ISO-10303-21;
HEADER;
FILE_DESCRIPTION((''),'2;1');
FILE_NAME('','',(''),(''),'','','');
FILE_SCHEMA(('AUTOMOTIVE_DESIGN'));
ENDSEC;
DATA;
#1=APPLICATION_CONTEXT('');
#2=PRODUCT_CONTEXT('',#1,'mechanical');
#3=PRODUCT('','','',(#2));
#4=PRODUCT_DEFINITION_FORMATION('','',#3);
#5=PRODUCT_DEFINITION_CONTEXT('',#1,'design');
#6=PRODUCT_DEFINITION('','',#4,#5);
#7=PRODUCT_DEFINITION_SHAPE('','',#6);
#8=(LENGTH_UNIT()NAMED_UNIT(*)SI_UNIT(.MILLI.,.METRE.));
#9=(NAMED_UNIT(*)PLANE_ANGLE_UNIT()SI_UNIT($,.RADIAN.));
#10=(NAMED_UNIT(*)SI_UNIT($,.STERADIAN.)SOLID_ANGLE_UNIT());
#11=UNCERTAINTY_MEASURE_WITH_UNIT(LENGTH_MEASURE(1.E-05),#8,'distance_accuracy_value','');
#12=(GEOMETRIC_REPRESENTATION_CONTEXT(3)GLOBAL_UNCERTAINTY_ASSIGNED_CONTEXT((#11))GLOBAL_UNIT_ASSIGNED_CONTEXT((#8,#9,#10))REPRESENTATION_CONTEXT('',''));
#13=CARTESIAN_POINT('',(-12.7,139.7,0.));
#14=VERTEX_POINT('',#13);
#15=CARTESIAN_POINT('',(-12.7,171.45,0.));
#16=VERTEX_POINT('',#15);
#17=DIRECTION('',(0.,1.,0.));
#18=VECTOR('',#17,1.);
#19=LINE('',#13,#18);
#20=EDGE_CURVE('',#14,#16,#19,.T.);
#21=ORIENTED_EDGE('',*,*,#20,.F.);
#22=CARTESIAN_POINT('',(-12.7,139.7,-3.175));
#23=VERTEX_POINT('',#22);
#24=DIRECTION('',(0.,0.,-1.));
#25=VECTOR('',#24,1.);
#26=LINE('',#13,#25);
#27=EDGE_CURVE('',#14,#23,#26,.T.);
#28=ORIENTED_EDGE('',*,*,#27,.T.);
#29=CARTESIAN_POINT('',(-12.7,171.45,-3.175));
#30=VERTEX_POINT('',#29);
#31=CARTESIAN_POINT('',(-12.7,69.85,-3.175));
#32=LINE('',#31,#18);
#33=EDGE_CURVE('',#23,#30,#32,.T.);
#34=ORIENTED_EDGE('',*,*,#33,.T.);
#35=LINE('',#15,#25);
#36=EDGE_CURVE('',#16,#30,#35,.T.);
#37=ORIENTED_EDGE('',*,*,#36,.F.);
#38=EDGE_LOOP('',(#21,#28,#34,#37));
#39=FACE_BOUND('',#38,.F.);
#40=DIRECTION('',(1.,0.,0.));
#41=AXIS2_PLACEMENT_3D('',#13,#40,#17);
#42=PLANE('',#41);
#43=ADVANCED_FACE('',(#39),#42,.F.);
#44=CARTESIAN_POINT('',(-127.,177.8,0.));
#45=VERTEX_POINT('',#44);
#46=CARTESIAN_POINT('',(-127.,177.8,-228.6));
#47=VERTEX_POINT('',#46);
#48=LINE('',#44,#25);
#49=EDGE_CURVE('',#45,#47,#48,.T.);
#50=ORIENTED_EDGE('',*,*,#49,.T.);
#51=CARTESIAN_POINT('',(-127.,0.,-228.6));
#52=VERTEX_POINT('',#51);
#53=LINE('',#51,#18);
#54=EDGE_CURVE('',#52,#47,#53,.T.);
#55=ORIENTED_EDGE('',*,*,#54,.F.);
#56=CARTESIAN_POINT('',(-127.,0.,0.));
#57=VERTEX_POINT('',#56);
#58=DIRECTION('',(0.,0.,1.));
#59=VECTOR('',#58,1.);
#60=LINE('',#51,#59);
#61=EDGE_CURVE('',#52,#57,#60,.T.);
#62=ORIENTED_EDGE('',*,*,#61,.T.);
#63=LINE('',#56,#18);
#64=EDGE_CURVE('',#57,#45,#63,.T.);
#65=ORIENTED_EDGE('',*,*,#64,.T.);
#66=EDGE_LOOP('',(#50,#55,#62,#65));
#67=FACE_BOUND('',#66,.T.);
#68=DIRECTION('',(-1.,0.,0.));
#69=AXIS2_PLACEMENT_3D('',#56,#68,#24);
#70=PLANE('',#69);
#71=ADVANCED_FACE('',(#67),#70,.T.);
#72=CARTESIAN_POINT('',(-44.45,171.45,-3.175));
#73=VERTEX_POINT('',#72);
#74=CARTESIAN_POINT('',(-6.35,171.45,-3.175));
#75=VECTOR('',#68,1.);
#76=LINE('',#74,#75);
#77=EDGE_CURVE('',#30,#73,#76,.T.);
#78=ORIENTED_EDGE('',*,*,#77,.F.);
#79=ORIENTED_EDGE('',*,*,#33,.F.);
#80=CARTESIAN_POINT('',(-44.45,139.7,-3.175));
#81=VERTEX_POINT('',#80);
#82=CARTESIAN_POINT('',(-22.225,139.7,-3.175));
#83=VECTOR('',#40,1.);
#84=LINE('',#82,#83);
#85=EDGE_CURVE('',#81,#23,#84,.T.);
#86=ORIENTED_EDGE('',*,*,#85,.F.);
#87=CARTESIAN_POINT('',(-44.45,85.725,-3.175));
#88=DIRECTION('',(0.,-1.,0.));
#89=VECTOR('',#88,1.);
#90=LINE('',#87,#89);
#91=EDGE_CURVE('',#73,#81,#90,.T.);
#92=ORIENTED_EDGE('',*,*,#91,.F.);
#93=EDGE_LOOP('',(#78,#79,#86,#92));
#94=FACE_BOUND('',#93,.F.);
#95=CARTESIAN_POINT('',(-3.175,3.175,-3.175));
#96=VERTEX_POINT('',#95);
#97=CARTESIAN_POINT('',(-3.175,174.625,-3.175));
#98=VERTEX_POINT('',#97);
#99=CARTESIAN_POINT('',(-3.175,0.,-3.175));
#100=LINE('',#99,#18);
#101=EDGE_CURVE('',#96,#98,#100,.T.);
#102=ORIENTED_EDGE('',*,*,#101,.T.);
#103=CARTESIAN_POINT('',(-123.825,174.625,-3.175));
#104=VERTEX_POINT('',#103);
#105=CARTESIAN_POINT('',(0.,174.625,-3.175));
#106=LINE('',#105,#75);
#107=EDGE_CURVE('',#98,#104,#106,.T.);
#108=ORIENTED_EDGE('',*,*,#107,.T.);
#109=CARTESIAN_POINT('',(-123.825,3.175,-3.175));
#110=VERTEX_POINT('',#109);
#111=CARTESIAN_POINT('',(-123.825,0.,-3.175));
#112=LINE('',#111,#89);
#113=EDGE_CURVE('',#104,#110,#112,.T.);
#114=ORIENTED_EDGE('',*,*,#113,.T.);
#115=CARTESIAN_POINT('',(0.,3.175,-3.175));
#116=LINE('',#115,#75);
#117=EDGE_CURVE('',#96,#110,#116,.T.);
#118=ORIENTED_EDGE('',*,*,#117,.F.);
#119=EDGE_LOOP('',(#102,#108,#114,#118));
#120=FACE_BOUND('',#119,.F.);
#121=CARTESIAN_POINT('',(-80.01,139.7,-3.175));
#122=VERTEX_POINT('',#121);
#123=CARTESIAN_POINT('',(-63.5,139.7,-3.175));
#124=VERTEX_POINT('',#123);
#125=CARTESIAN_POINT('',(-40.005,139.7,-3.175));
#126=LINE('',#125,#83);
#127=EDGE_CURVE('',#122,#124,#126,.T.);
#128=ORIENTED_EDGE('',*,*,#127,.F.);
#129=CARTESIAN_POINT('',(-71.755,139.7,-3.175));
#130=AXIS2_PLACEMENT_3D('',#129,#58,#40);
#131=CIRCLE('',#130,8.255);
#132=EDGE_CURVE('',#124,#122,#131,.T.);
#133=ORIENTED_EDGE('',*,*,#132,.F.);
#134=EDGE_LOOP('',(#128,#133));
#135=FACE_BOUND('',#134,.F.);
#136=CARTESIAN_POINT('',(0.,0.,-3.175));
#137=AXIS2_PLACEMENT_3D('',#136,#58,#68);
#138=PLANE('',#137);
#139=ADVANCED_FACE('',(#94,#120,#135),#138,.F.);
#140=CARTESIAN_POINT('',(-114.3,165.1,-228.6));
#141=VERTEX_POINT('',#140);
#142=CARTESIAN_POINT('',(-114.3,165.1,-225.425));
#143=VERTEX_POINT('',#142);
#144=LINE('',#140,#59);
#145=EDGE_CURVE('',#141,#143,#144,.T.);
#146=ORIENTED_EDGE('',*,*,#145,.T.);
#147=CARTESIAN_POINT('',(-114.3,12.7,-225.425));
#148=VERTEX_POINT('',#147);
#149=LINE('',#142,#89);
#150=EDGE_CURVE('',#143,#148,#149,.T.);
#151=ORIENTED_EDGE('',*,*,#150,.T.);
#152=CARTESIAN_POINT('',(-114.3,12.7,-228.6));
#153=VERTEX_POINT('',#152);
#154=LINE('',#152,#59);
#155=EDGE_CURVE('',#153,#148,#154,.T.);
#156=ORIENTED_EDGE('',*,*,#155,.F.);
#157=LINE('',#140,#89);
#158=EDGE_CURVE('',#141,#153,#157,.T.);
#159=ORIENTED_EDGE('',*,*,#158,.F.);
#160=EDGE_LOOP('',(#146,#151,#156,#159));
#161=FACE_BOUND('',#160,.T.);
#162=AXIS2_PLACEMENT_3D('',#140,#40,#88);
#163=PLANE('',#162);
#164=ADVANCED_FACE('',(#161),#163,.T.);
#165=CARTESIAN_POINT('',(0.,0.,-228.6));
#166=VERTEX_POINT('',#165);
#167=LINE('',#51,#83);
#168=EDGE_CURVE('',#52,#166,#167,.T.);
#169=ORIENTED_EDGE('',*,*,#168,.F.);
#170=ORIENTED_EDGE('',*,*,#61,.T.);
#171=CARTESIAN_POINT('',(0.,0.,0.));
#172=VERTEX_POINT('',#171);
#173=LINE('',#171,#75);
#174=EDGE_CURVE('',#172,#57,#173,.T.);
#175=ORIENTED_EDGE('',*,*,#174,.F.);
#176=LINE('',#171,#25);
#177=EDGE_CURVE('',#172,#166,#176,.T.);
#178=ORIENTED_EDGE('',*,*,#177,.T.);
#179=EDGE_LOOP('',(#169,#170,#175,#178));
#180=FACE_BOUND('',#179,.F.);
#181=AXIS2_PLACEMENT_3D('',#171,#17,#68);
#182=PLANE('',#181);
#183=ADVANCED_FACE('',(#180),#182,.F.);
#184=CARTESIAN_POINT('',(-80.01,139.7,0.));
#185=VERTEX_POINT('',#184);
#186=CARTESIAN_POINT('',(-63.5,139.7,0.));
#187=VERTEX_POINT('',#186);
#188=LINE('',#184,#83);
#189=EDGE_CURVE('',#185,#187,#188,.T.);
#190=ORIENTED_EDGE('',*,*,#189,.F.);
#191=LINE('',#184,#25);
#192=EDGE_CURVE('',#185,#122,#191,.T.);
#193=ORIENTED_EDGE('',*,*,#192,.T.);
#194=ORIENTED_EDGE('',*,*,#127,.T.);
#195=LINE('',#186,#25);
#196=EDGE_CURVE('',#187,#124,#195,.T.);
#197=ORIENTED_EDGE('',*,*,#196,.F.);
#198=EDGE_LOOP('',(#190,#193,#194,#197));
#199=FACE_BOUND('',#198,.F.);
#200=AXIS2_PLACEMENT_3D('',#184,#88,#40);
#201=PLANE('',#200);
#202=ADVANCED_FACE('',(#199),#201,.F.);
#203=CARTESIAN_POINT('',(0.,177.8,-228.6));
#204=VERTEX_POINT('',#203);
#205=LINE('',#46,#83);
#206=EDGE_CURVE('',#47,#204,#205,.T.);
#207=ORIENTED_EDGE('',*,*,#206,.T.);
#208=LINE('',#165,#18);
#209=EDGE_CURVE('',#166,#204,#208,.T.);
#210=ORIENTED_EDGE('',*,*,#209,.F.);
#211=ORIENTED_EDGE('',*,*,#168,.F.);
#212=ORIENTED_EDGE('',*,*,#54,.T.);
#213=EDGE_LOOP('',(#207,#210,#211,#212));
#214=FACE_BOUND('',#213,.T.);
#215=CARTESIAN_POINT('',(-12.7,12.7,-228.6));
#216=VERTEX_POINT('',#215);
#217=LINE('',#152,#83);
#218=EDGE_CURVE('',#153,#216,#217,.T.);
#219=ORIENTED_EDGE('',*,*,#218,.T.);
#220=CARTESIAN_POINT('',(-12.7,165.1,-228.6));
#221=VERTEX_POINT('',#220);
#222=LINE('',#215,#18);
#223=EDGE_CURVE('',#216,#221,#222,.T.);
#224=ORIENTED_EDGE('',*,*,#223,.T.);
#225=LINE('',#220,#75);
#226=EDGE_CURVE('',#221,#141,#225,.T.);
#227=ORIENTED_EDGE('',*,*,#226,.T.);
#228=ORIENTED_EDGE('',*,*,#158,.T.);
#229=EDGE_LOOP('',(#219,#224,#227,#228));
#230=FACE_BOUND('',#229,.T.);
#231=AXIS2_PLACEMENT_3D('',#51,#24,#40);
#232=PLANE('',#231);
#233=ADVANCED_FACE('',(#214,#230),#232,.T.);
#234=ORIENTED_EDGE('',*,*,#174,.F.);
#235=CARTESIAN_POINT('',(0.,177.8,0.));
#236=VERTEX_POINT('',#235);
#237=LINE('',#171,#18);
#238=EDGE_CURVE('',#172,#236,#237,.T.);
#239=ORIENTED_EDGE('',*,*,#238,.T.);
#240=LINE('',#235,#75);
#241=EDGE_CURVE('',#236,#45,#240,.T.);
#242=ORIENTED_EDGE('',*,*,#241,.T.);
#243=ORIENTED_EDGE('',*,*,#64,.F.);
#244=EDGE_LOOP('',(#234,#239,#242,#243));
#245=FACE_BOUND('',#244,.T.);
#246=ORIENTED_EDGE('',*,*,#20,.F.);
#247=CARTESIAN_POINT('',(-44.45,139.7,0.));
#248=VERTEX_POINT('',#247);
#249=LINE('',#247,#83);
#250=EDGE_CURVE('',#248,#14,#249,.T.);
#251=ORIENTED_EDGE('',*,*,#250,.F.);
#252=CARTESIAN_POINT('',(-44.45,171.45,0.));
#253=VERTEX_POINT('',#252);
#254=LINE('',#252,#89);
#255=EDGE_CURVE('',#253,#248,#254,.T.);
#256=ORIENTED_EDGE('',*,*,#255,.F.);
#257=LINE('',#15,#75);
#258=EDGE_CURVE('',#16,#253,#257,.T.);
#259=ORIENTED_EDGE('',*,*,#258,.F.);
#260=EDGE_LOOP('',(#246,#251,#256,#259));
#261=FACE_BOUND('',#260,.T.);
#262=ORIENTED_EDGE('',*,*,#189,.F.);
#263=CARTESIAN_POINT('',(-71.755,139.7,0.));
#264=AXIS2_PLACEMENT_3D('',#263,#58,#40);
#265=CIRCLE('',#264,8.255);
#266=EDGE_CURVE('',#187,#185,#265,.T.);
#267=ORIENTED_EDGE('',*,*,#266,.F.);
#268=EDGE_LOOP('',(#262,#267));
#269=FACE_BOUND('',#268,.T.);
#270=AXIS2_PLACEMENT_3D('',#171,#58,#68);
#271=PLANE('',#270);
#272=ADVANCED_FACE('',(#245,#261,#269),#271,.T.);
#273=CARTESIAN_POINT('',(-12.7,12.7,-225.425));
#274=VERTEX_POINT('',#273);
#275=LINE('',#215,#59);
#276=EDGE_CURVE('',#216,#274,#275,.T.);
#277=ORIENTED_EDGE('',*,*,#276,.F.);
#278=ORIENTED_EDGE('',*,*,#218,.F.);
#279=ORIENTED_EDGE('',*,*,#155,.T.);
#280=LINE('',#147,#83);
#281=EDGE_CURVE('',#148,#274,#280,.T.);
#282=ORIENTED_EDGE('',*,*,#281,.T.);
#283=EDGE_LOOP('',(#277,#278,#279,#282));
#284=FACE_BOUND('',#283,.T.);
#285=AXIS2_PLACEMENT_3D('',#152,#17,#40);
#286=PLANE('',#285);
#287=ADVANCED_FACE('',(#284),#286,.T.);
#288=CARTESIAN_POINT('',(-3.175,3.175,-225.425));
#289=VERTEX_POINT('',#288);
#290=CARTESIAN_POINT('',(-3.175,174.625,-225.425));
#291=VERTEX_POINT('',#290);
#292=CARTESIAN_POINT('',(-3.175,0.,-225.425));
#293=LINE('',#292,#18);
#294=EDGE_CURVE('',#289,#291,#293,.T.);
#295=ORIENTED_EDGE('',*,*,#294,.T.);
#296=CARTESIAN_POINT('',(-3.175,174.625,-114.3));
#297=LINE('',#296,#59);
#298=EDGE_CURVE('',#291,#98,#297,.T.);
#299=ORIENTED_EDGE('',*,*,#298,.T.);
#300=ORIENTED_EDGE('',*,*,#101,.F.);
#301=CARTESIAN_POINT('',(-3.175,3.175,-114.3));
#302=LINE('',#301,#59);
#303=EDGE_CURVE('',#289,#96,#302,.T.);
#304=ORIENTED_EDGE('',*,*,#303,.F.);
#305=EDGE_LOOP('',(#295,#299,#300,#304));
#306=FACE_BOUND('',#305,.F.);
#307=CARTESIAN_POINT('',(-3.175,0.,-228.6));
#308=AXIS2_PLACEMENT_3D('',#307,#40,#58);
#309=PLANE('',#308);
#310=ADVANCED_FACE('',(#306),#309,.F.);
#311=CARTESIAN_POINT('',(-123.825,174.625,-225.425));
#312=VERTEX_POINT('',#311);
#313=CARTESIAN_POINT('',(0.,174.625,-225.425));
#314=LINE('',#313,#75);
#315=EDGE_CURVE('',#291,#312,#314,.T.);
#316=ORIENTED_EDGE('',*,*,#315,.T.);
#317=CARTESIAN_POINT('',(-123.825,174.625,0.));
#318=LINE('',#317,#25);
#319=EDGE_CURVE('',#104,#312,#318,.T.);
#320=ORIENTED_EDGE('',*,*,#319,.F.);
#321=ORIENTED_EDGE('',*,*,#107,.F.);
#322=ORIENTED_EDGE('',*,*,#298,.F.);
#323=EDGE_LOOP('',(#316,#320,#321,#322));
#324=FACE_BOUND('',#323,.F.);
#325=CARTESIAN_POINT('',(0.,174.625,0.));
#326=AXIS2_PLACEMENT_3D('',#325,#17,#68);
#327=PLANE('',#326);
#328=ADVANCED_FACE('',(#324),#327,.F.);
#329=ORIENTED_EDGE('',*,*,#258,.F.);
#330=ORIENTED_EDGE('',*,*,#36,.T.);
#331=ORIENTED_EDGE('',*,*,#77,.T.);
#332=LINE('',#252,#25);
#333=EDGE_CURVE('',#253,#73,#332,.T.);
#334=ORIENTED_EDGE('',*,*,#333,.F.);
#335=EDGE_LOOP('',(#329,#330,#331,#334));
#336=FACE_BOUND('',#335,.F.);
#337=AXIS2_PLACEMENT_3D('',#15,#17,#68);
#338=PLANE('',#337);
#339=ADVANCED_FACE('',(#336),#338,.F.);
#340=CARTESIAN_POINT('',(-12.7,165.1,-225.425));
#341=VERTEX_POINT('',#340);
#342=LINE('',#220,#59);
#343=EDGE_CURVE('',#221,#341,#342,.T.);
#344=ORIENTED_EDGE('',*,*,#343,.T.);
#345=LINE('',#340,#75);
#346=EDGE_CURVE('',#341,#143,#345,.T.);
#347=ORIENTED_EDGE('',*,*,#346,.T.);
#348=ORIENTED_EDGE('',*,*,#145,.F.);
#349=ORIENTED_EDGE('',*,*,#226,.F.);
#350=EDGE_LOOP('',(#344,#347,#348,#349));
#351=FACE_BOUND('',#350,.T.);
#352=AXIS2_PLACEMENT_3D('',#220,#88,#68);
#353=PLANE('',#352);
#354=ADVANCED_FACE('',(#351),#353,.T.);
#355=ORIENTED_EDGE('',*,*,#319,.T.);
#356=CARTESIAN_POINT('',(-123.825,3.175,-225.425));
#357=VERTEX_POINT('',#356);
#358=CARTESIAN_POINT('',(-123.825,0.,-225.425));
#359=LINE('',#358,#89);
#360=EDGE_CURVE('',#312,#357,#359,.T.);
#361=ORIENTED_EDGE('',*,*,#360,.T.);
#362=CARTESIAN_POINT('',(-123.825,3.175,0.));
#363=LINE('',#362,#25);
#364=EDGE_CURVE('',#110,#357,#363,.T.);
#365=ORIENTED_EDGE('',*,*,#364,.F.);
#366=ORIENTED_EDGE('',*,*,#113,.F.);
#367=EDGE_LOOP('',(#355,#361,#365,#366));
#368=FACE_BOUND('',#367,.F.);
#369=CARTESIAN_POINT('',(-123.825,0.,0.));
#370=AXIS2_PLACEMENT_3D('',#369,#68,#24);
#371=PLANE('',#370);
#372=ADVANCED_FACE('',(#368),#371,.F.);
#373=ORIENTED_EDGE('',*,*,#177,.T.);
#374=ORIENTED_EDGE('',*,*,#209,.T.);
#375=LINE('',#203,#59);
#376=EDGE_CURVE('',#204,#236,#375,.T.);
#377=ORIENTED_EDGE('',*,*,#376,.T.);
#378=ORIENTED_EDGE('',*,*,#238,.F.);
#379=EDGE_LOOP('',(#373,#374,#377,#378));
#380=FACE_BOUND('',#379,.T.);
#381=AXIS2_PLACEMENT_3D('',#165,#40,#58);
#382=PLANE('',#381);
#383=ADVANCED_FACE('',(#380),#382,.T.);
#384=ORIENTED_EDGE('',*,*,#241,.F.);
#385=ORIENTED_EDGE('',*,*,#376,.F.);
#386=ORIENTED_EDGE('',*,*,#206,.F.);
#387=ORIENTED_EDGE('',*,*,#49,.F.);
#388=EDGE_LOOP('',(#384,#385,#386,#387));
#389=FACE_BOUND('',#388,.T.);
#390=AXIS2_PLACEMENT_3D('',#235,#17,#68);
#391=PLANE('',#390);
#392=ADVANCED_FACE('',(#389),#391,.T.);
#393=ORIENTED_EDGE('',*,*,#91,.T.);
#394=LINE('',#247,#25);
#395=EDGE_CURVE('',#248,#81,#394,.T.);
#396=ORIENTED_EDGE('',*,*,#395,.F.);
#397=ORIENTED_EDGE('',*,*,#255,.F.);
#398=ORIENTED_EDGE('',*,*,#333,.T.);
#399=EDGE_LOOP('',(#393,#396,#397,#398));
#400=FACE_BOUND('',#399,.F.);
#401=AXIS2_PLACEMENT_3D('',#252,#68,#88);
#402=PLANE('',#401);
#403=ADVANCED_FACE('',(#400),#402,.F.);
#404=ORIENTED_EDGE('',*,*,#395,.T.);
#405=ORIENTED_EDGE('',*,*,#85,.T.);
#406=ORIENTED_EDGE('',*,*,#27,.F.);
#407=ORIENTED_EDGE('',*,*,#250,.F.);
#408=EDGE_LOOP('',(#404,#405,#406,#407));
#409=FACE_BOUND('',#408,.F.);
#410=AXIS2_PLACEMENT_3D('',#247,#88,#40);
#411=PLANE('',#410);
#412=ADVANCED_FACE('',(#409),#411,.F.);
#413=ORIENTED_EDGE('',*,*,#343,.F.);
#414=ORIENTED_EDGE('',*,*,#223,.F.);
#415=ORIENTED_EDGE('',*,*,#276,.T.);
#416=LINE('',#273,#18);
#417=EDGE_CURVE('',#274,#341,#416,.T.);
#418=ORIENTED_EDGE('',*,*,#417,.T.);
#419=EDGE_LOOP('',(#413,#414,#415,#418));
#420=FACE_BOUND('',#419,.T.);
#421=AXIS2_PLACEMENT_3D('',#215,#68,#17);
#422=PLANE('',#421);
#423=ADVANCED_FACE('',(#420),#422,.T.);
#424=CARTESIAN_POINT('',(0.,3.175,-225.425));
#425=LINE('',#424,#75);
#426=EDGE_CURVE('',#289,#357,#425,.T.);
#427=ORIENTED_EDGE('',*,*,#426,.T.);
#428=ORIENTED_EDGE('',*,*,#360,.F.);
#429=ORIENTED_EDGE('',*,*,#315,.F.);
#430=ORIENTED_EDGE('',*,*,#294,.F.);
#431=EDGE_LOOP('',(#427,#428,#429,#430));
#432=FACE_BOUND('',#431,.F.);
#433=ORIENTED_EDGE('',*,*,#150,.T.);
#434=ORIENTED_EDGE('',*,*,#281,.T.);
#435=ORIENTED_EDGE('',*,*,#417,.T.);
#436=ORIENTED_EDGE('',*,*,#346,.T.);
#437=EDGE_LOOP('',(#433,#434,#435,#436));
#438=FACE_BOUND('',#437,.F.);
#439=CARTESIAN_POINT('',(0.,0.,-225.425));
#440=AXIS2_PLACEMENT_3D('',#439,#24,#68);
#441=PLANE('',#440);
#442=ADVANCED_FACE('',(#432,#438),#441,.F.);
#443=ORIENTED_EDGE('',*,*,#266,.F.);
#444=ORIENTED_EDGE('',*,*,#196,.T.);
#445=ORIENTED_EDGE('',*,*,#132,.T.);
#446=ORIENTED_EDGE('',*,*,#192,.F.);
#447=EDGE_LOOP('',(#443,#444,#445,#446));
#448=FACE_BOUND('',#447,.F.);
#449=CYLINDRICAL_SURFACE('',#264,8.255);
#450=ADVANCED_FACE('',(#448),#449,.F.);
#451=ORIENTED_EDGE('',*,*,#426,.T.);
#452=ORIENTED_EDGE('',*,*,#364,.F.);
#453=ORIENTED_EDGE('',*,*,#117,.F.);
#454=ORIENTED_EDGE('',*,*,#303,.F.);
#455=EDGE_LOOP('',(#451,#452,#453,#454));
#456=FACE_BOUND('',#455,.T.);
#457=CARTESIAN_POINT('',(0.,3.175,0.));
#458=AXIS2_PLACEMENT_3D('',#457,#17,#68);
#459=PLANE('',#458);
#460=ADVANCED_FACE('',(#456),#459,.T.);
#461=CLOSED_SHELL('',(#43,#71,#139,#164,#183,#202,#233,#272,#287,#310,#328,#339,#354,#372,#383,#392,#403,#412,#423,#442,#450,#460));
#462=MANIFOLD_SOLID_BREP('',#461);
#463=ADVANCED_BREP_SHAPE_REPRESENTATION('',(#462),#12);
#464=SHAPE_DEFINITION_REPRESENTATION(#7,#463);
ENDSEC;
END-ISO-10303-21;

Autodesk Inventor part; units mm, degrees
ref_plane "YZ Plane" through (0, 0, 0) normal (1, 0, 0) x (0, 1, 0)
ref_plane "XZ Plane" through (0, 0, 0) normal (0, 1, 0) x (-1, 0, 0)
ref_plane "XY Plane" through (0, 0, 0) normal (0, 0, 1) x (1, 0, 0)
sketch "Sketch1" plane through (0, 0, 0) normal (0, 1, 0) x (-1, 0, 0)
  line L0 (0, 0) -> (127, 0)
  line L1 (127, 0) -> (127, -228.6)
  line L2 (127, -228.6) -> (0, -228.6)
  line L3 (0, -228.6) -> (0, 0)
  dimension "d0" = 127
  dimension "d1" = 228.6
extrude "Extrusion1" add sketch "Sketch1" along normal blind 177.8
sketch "Sketch2" plane through (0, 0, -228.6) normal (0, 0, -1) x (-1, 0, 0)
  line L0 (127, 0) -> (0, 0) projected
  line L1 (127, 0) -> (127, 177.8) projected
  line L2 (0, 177.8) -> (127, 177.8) projected
  line L3 (0, 0) -> (0, 177.8) projected
  line L4 (114.3, 165.1) -> (114.3, 12.7)
  line L5 (114.3, 12.7) -> (12.7, 12.7)
  line L6 (12.7, 12.7) -> (12.7, 165.1)
  line L7 (12.7, 165.1) -> (114.3, 165.1)
  dimension "d4" = 12.7
shell "Shell1" thickness 3.175 removed faces 1 at (-84.6667, 59.2667, -228.6)
extrude "Extrusion2" add sketch "Sketch2" against normal blind 3.175
sketch "Sketch3" plane through (-127, 0, 0) normal (0, 0, 1) x (1, 0, 0)
  line L0 (127, 0) -> (127, 177.8) projected
  line L1 (0, 177.8) -> (127, 177.8) projected
  line L2 (114.3, 171.45) -> (82.55, 171.45)
  line L3 (82.55, 171.45) -> (82.55, 139.7)
  line L4 (82.55, 139.7) -> (114.3, 139.7)
  line L5 (114.3, 139.7) -> (114.3, 171.45)
  dimension "d10" = 31.75
  dimension "d11" = 31.75
  dimension "d12" = 6.35
  dimension "d13" = 12.7
extrude "Extrusion3" cut sketch "Sketch3" against normal blind 25.4
sketch "Sketch4" plane through (-127, 0, 0) normal (0, 0, 1) x (1, 0, 0)
  line L0 (46.99, 139.7) -> (63.5, 139.7)
  line L1 (127, 0) -> (127, 177.8) projected
  arc A0 (63.5, 139.7) -> (46.99, 139.7) centre (55.245, 139.7) ccw
  dimension "d16" = 16.51
  dimension "d19" = 63.5
  dimension "d20" = 38.1
extrude "Extrusion4" cut sketch "Sketch4" against normal blind 25.4
properties part number "Electronics_Box"
